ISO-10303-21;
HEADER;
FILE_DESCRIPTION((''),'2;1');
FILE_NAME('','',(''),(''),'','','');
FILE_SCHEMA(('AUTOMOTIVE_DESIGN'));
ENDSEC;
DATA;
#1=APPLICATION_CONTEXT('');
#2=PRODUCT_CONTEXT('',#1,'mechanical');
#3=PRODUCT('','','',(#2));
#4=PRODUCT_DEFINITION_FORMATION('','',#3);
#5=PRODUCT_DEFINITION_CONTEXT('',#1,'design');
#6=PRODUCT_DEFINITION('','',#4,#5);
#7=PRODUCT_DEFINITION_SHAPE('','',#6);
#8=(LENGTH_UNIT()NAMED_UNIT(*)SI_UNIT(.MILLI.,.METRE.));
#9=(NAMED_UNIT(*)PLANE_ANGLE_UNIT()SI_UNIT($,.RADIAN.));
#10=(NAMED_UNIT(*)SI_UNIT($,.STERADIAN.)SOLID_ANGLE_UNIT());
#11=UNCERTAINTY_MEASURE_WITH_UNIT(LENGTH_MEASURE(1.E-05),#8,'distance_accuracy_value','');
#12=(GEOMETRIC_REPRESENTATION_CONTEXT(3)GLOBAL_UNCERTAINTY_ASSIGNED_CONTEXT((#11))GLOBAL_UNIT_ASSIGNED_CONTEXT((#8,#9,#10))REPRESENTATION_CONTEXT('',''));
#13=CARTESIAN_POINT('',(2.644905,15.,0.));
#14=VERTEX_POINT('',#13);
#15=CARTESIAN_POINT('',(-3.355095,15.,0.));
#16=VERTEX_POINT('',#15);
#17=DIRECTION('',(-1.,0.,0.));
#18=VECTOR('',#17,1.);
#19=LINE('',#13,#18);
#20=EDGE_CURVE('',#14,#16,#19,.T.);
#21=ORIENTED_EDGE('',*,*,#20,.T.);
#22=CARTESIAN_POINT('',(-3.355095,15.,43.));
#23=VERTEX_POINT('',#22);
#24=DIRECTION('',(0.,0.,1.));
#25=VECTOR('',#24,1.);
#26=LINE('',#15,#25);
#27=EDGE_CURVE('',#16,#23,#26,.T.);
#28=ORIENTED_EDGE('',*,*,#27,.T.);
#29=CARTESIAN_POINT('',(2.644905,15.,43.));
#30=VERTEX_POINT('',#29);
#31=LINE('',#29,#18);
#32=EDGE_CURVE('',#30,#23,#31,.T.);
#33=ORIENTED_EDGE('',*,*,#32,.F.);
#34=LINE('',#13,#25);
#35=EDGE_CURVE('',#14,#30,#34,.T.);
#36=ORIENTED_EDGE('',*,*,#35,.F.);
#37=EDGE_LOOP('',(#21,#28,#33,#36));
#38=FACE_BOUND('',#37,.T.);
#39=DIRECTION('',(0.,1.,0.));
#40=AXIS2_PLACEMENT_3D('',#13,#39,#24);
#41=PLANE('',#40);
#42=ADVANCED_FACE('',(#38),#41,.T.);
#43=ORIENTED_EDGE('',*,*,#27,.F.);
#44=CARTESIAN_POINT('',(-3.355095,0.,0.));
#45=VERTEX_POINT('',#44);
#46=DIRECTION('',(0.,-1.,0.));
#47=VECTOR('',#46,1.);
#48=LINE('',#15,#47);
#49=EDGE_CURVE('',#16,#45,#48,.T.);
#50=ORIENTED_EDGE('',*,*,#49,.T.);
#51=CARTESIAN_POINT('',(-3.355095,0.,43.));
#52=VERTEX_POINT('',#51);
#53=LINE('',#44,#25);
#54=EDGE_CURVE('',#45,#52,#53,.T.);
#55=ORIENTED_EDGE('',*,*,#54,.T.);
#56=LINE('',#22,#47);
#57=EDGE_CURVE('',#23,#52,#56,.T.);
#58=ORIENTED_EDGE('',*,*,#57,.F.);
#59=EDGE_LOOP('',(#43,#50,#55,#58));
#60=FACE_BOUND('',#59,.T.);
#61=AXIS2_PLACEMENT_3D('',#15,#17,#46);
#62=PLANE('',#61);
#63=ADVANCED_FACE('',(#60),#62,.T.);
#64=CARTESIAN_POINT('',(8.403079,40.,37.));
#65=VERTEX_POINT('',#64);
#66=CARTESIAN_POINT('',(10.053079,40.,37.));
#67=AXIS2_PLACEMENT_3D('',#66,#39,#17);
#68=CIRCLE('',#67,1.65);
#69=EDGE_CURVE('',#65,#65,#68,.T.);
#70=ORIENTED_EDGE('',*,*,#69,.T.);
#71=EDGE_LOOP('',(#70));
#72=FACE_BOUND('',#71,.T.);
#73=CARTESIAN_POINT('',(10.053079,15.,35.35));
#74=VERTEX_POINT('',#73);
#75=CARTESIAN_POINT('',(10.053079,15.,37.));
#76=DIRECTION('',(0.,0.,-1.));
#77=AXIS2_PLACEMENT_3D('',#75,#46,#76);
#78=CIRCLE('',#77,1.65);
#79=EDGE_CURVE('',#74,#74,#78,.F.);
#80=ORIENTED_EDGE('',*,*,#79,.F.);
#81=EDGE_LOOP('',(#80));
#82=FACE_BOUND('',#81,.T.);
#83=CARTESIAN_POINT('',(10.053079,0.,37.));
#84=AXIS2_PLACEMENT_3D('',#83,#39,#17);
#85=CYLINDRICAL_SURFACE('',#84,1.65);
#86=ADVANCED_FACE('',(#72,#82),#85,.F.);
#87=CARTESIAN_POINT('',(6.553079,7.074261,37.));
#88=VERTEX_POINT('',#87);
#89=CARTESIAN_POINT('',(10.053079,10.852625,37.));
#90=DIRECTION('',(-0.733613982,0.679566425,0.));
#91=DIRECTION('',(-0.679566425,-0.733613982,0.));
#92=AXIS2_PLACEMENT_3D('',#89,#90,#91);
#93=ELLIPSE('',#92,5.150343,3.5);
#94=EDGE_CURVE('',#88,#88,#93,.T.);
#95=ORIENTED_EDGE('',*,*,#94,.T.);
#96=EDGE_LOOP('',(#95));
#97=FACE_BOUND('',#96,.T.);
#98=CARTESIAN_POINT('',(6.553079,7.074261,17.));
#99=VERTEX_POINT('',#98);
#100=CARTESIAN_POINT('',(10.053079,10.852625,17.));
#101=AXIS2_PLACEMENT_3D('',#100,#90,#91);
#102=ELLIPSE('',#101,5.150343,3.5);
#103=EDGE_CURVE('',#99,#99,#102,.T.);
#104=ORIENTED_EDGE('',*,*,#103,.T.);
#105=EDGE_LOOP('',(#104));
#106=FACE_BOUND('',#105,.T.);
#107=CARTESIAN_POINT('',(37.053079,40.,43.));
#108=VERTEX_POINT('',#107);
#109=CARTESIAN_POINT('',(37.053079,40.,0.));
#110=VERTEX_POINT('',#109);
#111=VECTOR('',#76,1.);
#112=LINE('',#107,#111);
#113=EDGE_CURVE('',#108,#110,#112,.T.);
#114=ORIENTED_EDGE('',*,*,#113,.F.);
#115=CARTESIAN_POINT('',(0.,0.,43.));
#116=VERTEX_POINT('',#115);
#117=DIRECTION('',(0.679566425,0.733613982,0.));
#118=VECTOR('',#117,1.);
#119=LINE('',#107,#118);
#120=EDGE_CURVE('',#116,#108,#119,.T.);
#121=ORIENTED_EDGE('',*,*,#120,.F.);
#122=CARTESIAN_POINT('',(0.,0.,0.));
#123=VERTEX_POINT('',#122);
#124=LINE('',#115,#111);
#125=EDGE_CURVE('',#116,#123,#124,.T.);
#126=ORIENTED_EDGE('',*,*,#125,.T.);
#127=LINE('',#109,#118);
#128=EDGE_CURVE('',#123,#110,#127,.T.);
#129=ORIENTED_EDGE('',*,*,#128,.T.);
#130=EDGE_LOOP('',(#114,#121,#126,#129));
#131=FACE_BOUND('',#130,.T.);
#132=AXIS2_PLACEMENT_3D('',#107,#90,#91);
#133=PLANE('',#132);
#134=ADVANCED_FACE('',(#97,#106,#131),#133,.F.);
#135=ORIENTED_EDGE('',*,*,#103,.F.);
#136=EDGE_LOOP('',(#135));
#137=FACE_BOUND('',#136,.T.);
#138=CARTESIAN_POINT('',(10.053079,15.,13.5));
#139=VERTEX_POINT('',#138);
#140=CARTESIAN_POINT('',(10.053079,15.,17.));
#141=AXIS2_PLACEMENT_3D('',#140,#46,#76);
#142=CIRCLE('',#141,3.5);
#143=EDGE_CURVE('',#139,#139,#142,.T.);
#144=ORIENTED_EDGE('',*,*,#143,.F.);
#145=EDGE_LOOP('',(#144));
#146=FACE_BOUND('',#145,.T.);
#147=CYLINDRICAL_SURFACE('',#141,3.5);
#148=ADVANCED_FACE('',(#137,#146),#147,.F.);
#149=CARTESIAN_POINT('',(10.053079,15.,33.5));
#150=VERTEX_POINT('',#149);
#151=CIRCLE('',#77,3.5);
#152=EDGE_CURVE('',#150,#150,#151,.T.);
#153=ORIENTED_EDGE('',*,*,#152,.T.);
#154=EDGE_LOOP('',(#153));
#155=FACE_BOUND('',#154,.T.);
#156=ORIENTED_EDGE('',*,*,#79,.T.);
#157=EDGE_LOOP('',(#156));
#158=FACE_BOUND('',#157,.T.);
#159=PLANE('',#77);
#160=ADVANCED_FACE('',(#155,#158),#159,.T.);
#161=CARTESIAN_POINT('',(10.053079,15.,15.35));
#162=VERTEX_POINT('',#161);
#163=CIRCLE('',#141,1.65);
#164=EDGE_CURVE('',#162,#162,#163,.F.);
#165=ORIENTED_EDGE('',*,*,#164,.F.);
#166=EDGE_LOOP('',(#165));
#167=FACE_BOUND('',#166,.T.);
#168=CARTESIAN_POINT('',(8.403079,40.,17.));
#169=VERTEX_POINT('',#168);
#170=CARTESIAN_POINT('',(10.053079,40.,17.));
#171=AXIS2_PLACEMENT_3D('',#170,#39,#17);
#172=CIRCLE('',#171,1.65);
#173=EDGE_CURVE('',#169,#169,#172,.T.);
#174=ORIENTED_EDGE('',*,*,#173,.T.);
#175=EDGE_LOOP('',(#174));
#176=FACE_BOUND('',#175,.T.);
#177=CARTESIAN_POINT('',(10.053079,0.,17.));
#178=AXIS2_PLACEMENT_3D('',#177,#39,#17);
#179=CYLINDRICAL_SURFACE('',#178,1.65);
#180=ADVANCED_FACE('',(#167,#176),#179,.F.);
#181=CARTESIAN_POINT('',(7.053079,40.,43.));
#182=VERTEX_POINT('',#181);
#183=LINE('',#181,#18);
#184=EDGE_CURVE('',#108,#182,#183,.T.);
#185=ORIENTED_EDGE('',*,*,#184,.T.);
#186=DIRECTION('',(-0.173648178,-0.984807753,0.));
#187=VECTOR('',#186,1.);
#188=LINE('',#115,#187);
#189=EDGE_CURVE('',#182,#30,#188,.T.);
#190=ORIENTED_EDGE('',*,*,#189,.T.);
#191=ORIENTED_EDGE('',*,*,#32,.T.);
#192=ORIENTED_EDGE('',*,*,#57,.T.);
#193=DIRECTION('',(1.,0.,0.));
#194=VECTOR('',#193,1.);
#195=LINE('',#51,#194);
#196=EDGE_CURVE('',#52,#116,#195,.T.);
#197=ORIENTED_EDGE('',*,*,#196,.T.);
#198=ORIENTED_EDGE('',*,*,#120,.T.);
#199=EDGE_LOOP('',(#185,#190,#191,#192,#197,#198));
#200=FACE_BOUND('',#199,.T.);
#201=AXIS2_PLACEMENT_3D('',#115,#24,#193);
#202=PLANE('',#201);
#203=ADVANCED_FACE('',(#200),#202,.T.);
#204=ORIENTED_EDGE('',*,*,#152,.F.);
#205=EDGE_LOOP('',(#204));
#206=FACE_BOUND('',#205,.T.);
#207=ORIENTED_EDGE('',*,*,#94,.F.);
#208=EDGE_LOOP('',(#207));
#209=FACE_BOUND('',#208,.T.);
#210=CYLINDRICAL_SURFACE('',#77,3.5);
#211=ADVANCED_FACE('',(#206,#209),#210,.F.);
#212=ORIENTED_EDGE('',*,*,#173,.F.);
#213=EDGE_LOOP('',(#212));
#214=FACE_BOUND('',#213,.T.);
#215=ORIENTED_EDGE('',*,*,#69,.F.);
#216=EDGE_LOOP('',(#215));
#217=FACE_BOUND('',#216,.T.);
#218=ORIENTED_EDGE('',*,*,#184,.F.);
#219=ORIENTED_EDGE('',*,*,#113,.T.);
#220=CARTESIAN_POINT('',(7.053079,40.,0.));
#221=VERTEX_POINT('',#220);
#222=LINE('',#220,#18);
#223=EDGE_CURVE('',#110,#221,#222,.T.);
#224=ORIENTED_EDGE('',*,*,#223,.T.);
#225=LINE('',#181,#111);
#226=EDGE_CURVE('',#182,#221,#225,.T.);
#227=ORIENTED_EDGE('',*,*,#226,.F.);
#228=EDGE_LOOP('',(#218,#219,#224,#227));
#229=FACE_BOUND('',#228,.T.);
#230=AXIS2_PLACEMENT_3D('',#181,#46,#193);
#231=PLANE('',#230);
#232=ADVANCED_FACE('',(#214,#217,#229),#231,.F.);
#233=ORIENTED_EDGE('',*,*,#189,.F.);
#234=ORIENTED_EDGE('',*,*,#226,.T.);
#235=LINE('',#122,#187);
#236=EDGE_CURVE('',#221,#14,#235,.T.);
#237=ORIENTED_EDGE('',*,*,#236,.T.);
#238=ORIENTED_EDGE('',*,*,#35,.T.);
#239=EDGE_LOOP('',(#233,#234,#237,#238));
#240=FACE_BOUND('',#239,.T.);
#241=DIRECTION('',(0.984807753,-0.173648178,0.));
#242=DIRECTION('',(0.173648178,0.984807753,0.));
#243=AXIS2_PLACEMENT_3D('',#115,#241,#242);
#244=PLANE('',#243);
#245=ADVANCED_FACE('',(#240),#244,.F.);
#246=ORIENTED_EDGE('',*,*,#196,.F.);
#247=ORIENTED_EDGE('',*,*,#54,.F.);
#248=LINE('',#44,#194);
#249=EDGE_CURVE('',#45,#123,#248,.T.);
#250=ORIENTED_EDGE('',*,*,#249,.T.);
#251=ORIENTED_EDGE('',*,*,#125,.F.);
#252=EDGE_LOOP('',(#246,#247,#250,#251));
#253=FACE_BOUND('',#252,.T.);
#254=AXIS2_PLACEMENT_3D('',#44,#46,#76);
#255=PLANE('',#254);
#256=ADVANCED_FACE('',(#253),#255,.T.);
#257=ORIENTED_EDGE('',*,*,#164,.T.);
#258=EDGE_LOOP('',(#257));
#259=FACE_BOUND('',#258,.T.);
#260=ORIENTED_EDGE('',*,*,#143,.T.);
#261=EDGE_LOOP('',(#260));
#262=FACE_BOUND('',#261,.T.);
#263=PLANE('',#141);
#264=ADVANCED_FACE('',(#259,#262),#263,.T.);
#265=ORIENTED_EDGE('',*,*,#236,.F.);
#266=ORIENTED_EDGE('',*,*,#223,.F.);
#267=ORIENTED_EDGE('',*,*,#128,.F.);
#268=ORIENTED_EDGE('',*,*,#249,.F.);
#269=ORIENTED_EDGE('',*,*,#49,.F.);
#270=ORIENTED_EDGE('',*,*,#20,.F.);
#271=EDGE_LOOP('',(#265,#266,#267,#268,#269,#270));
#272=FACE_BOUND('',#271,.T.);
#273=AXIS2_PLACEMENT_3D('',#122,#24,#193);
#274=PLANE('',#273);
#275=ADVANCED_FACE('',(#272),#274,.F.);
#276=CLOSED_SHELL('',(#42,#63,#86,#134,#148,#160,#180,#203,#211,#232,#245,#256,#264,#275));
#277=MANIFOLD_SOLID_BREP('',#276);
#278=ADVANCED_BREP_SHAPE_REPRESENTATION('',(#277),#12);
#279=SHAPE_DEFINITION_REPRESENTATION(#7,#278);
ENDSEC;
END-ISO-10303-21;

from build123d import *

# Parameters (mm, degrees)
EXTRUDE_1_DEPTH     = 43
SKETCH_2_R          = 1.65
CUT_EXTRUDE_1_DEPTH = 40
EXTRUDE_2_DEPTH     = 43
SKETCH_4_R          = 3.5
CUT_EXTRUDE_2_DEPTH = 15


with BuildPart() as part:
    # 草图1 → 凸台-拉伸1 (new body)
    with BuildSketch(Plane.XY):
        Polygon((0, 0), (7.053079228, 40), (37.053079228, 40), align=None)
    extrude(amount=EXTRUDE_1_DEPTH)

    # 草图2 → 切除-拉伸1 (cut)
    with BuildSketch(Plane(origin=(0, 40, 0), x_dir=(1, 0, 0), z_dir=(0, 1, 0))):
        with Locations(Location((10.053079228, -17, 0), (0, 0, 180))):
            Circle(SKETCH_2_R)
        with Locations(Location((10.053079228, -37, 0), (0, 0, 180))):
            Circle(SKETCH_2_R)
    extrude(amount=-CUT_EXTRUDE_1_DEPTH, mode=Mode.SUBTRACT)

    # 草图3 → 凸台-拉伸2 (add)
    with BuildSketch(Plane.XY.offset(43)):
        Polygon((2.644904711, 15), (-3.355095289, 15), (-3.355095289, 0), (0, 0), align=None)
    extrude(amount=-EXTRUDE_2_DEPTH)

    # 草图4 → 切除-拉伸2 (cut)
    with BuildSketch(Plane.XZ):
        with Locations(Location((10.053079228, 37, 0), (0, 0, 270))):
            Circle(SKETCH_4_R)
        with Locations(Location((10.053079228, 17, 0), (0, 0, 270))):
            Circle(SKETCH_4_R)
    extrude(amount=-CUT_EXTRUDE_2_DEPTH, mode=Mode.SUBTRACT)


solid = part.part
